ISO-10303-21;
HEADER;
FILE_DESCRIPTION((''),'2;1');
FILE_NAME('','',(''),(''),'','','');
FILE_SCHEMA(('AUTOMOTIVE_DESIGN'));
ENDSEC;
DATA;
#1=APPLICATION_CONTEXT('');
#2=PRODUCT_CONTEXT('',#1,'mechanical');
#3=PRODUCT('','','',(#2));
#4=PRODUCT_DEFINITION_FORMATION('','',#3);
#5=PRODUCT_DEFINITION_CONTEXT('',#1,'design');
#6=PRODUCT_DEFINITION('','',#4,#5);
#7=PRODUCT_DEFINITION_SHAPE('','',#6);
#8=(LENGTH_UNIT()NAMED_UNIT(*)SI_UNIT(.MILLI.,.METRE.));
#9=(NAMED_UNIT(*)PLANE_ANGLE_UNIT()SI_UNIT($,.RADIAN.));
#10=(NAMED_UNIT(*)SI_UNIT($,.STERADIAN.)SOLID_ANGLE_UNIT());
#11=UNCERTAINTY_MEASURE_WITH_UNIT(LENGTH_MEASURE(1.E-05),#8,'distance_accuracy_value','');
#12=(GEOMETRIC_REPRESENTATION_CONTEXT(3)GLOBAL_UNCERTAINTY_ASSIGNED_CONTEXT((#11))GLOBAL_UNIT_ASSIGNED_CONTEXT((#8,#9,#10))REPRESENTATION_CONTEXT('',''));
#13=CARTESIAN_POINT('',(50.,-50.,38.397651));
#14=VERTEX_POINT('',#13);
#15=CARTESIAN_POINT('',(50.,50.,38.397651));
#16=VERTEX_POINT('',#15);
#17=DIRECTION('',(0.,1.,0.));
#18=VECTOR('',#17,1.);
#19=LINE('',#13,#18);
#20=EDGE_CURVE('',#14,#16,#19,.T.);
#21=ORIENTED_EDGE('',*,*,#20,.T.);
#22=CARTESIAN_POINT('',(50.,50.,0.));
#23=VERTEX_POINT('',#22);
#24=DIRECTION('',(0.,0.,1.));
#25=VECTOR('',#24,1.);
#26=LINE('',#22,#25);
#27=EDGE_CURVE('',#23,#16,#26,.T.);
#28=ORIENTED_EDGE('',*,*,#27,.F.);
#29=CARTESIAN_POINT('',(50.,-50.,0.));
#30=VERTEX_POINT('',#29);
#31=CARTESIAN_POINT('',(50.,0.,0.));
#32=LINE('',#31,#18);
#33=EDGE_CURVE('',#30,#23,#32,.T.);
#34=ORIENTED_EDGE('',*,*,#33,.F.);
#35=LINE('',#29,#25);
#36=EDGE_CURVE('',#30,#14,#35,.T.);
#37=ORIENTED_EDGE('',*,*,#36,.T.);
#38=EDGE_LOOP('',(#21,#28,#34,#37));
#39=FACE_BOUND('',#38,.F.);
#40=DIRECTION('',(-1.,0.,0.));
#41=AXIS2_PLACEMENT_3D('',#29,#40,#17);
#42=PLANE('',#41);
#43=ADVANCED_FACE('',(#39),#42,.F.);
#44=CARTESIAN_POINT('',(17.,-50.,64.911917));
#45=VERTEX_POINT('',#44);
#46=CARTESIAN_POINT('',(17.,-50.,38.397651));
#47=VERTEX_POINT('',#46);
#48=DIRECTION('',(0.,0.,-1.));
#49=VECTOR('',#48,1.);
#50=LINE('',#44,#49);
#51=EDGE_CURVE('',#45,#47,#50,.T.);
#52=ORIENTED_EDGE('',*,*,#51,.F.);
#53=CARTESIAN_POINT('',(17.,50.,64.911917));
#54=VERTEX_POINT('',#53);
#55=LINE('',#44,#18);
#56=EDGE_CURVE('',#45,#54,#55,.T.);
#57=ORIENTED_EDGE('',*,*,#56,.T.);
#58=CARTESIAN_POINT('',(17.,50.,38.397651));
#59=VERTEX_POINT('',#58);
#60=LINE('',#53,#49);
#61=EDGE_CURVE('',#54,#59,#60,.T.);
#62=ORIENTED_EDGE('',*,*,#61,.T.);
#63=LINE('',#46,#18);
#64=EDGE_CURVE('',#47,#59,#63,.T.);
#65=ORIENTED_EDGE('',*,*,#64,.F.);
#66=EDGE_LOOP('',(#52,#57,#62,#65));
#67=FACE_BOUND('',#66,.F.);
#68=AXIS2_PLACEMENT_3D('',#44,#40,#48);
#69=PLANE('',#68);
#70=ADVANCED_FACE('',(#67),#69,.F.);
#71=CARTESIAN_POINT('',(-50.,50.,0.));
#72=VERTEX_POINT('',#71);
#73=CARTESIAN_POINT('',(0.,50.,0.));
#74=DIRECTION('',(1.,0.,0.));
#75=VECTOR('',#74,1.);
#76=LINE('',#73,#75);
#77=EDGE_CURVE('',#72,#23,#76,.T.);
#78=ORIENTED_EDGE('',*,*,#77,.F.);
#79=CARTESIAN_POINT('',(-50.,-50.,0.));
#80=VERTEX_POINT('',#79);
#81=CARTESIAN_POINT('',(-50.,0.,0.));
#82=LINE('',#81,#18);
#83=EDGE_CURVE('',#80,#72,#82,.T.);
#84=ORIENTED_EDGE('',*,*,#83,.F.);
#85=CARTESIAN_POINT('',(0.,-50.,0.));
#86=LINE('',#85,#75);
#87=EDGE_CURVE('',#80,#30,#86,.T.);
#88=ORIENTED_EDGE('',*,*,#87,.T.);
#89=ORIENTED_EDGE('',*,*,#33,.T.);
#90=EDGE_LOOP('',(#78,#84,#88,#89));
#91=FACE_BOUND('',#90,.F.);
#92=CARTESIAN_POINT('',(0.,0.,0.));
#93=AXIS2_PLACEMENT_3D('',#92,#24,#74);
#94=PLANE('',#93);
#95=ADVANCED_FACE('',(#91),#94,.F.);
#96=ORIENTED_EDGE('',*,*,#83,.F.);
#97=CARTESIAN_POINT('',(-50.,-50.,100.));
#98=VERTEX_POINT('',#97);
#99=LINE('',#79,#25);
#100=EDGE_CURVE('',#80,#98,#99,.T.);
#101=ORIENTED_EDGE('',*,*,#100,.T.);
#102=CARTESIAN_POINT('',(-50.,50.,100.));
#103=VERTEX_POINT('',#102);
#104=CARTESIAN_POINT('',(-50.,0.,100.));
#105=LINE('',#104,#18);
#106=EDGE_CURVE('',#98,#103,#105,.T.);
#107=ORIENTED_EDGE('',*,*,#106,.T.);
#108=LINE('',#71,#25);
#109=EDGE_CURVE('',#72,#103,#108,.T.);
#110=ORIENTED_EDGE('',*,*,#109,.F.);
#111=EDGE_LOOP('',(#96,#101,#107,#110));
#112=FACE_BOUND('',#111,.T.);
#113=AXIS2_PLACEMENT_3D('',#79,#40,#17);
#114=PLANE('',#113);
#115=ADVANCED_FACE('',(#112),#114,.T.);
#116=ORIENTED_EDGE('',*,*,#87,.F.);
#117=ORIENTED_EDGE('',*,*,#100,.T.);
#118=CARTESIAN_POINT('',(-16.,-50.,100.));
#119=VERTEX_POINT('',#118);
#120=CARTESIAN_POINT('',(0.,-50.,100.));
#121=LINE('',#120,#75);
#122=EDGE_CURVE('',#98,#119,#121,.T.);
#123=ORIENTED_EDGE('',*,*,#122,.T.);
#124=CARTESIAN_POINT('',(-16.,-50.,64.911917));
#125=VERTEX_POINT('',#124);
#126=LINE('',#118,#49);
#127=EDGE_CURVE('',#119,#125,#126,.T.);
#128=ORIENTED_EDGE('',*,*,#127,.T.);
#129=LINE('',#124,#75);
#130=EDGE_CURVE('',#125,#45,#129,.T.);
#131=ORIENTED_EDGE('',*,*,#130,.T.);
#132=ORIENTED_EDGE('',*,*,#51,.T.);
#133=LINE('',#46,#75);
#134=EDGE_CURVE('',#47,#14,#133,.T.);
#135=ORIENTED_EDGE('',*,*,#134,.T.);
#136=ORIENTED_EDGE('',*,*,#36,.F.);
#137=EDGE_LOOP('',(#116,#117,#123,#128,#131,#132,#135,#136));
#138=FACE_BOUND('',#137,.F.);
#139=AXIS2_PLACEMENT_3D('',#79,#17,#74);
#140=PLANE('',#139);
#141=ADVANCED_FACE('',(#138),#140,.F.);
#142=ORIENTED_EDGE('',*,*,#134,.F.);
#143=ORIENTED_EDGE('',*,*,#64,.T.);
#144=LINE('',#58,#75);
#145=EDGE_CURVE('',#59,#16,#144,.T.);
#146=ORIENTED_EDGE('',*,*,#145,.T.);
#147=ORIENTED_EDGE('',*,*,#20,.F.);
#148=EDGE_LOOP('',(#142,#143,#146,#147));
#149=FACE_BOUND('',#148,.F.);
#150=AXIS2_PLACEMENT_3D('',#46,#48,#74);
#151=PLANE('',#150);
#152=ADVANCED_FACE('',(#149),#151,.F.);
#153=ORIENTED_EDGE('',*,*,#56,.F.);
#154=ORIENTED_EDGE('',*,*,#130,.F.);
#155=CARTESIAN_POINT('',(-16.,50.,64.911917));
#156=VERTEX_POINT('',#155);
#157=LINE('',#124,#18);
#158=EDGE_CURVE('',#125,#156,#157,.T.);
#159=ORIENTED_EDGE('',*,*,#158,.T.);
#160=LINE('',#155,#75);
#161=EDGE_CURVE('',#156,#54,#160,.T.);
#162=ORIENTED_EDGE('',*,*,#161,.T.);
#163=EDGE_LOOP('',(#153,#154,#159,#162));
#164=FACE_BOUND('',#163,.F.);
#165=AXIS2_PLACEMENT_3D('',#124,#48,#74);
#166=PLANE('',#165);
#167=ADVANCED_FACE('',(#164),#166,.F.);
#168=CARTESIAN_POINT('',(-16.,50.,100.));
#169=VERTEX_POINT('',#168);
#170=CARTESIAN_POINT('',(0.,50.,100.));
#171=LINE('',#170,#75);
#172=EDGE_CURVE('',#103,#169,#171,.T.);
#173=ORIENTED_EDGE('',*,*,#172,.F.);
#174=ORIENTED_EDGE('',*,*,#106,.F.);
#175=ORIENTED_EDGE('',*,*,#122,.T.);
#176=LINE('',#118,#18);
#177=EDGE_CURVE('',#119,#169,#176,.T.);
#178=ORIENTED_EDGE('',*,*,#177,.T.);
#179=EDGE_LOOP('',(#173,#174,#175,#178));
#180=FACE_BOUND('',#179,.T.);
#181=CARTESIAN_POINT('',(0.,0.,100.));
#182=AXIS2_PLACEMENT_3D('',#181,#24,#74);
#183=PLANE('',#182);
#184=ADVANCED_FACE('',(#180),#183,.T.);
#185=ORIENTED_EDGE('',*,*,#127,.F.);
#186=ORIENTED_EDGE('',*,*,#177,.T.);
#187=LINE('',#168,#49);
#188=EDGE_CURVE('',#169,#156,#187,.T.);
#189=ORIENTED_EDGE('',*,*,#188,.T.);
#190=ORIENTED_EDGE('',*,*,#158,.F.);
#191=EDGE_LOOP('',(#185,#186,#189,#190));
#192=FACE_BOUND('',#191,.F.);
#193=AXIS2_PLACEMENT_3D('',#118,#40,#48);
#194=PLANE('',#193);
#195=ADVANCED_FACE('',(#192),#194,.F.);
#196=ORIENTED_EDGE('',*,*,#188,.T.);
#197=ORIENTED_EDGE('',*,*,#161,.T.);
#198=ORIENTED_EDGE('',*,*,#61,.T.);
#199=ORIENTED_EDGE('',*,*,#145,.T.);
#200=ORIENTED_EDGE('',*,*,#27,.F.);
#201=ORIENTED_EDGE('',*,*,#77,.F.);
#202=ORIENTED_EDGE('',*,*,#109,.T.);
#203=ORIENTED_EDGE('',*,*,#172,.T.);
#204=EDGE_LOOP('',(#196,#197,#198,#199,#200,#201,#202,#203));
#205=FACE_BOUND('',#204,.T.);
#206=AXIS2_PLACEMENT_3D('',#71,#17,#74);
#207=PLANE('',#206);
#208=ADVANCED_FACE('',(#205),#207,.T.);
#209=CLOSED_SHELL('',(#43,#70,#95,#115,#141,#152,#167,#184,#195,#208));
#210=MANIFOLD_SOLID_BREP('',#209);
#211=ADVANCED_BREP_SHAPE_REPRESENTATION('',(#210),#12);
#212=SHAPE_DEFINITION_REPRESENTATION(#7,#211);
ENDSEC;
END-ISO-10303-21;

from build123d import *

# Parameters (mm, degrees)
F0_W     = 100
F0_H     = 100
F1_DEPTH = 100
F3_DEPTH = 100


with BuildPart() as f1:
    # F0 (on Top) → F1 (new body)
    with BuildSketch(Plane.XY):
        Rectangle(F0_W, F0_H)
    extrude(amount=F1_DEPTH)

    # F2 (on face) → F3 (cut)
    with BuildSketch(Plane.XZ.offset(50)):
        Polygon((50, 100), (-16, 100), (-16, 64.911917), (17, 64.911917), (17, 38.397651), (50, 38.397651), align=None)
    extrude(amount=-F3_DEPTH, mode=Mode.SUBTRACT)


solid = f1.part
